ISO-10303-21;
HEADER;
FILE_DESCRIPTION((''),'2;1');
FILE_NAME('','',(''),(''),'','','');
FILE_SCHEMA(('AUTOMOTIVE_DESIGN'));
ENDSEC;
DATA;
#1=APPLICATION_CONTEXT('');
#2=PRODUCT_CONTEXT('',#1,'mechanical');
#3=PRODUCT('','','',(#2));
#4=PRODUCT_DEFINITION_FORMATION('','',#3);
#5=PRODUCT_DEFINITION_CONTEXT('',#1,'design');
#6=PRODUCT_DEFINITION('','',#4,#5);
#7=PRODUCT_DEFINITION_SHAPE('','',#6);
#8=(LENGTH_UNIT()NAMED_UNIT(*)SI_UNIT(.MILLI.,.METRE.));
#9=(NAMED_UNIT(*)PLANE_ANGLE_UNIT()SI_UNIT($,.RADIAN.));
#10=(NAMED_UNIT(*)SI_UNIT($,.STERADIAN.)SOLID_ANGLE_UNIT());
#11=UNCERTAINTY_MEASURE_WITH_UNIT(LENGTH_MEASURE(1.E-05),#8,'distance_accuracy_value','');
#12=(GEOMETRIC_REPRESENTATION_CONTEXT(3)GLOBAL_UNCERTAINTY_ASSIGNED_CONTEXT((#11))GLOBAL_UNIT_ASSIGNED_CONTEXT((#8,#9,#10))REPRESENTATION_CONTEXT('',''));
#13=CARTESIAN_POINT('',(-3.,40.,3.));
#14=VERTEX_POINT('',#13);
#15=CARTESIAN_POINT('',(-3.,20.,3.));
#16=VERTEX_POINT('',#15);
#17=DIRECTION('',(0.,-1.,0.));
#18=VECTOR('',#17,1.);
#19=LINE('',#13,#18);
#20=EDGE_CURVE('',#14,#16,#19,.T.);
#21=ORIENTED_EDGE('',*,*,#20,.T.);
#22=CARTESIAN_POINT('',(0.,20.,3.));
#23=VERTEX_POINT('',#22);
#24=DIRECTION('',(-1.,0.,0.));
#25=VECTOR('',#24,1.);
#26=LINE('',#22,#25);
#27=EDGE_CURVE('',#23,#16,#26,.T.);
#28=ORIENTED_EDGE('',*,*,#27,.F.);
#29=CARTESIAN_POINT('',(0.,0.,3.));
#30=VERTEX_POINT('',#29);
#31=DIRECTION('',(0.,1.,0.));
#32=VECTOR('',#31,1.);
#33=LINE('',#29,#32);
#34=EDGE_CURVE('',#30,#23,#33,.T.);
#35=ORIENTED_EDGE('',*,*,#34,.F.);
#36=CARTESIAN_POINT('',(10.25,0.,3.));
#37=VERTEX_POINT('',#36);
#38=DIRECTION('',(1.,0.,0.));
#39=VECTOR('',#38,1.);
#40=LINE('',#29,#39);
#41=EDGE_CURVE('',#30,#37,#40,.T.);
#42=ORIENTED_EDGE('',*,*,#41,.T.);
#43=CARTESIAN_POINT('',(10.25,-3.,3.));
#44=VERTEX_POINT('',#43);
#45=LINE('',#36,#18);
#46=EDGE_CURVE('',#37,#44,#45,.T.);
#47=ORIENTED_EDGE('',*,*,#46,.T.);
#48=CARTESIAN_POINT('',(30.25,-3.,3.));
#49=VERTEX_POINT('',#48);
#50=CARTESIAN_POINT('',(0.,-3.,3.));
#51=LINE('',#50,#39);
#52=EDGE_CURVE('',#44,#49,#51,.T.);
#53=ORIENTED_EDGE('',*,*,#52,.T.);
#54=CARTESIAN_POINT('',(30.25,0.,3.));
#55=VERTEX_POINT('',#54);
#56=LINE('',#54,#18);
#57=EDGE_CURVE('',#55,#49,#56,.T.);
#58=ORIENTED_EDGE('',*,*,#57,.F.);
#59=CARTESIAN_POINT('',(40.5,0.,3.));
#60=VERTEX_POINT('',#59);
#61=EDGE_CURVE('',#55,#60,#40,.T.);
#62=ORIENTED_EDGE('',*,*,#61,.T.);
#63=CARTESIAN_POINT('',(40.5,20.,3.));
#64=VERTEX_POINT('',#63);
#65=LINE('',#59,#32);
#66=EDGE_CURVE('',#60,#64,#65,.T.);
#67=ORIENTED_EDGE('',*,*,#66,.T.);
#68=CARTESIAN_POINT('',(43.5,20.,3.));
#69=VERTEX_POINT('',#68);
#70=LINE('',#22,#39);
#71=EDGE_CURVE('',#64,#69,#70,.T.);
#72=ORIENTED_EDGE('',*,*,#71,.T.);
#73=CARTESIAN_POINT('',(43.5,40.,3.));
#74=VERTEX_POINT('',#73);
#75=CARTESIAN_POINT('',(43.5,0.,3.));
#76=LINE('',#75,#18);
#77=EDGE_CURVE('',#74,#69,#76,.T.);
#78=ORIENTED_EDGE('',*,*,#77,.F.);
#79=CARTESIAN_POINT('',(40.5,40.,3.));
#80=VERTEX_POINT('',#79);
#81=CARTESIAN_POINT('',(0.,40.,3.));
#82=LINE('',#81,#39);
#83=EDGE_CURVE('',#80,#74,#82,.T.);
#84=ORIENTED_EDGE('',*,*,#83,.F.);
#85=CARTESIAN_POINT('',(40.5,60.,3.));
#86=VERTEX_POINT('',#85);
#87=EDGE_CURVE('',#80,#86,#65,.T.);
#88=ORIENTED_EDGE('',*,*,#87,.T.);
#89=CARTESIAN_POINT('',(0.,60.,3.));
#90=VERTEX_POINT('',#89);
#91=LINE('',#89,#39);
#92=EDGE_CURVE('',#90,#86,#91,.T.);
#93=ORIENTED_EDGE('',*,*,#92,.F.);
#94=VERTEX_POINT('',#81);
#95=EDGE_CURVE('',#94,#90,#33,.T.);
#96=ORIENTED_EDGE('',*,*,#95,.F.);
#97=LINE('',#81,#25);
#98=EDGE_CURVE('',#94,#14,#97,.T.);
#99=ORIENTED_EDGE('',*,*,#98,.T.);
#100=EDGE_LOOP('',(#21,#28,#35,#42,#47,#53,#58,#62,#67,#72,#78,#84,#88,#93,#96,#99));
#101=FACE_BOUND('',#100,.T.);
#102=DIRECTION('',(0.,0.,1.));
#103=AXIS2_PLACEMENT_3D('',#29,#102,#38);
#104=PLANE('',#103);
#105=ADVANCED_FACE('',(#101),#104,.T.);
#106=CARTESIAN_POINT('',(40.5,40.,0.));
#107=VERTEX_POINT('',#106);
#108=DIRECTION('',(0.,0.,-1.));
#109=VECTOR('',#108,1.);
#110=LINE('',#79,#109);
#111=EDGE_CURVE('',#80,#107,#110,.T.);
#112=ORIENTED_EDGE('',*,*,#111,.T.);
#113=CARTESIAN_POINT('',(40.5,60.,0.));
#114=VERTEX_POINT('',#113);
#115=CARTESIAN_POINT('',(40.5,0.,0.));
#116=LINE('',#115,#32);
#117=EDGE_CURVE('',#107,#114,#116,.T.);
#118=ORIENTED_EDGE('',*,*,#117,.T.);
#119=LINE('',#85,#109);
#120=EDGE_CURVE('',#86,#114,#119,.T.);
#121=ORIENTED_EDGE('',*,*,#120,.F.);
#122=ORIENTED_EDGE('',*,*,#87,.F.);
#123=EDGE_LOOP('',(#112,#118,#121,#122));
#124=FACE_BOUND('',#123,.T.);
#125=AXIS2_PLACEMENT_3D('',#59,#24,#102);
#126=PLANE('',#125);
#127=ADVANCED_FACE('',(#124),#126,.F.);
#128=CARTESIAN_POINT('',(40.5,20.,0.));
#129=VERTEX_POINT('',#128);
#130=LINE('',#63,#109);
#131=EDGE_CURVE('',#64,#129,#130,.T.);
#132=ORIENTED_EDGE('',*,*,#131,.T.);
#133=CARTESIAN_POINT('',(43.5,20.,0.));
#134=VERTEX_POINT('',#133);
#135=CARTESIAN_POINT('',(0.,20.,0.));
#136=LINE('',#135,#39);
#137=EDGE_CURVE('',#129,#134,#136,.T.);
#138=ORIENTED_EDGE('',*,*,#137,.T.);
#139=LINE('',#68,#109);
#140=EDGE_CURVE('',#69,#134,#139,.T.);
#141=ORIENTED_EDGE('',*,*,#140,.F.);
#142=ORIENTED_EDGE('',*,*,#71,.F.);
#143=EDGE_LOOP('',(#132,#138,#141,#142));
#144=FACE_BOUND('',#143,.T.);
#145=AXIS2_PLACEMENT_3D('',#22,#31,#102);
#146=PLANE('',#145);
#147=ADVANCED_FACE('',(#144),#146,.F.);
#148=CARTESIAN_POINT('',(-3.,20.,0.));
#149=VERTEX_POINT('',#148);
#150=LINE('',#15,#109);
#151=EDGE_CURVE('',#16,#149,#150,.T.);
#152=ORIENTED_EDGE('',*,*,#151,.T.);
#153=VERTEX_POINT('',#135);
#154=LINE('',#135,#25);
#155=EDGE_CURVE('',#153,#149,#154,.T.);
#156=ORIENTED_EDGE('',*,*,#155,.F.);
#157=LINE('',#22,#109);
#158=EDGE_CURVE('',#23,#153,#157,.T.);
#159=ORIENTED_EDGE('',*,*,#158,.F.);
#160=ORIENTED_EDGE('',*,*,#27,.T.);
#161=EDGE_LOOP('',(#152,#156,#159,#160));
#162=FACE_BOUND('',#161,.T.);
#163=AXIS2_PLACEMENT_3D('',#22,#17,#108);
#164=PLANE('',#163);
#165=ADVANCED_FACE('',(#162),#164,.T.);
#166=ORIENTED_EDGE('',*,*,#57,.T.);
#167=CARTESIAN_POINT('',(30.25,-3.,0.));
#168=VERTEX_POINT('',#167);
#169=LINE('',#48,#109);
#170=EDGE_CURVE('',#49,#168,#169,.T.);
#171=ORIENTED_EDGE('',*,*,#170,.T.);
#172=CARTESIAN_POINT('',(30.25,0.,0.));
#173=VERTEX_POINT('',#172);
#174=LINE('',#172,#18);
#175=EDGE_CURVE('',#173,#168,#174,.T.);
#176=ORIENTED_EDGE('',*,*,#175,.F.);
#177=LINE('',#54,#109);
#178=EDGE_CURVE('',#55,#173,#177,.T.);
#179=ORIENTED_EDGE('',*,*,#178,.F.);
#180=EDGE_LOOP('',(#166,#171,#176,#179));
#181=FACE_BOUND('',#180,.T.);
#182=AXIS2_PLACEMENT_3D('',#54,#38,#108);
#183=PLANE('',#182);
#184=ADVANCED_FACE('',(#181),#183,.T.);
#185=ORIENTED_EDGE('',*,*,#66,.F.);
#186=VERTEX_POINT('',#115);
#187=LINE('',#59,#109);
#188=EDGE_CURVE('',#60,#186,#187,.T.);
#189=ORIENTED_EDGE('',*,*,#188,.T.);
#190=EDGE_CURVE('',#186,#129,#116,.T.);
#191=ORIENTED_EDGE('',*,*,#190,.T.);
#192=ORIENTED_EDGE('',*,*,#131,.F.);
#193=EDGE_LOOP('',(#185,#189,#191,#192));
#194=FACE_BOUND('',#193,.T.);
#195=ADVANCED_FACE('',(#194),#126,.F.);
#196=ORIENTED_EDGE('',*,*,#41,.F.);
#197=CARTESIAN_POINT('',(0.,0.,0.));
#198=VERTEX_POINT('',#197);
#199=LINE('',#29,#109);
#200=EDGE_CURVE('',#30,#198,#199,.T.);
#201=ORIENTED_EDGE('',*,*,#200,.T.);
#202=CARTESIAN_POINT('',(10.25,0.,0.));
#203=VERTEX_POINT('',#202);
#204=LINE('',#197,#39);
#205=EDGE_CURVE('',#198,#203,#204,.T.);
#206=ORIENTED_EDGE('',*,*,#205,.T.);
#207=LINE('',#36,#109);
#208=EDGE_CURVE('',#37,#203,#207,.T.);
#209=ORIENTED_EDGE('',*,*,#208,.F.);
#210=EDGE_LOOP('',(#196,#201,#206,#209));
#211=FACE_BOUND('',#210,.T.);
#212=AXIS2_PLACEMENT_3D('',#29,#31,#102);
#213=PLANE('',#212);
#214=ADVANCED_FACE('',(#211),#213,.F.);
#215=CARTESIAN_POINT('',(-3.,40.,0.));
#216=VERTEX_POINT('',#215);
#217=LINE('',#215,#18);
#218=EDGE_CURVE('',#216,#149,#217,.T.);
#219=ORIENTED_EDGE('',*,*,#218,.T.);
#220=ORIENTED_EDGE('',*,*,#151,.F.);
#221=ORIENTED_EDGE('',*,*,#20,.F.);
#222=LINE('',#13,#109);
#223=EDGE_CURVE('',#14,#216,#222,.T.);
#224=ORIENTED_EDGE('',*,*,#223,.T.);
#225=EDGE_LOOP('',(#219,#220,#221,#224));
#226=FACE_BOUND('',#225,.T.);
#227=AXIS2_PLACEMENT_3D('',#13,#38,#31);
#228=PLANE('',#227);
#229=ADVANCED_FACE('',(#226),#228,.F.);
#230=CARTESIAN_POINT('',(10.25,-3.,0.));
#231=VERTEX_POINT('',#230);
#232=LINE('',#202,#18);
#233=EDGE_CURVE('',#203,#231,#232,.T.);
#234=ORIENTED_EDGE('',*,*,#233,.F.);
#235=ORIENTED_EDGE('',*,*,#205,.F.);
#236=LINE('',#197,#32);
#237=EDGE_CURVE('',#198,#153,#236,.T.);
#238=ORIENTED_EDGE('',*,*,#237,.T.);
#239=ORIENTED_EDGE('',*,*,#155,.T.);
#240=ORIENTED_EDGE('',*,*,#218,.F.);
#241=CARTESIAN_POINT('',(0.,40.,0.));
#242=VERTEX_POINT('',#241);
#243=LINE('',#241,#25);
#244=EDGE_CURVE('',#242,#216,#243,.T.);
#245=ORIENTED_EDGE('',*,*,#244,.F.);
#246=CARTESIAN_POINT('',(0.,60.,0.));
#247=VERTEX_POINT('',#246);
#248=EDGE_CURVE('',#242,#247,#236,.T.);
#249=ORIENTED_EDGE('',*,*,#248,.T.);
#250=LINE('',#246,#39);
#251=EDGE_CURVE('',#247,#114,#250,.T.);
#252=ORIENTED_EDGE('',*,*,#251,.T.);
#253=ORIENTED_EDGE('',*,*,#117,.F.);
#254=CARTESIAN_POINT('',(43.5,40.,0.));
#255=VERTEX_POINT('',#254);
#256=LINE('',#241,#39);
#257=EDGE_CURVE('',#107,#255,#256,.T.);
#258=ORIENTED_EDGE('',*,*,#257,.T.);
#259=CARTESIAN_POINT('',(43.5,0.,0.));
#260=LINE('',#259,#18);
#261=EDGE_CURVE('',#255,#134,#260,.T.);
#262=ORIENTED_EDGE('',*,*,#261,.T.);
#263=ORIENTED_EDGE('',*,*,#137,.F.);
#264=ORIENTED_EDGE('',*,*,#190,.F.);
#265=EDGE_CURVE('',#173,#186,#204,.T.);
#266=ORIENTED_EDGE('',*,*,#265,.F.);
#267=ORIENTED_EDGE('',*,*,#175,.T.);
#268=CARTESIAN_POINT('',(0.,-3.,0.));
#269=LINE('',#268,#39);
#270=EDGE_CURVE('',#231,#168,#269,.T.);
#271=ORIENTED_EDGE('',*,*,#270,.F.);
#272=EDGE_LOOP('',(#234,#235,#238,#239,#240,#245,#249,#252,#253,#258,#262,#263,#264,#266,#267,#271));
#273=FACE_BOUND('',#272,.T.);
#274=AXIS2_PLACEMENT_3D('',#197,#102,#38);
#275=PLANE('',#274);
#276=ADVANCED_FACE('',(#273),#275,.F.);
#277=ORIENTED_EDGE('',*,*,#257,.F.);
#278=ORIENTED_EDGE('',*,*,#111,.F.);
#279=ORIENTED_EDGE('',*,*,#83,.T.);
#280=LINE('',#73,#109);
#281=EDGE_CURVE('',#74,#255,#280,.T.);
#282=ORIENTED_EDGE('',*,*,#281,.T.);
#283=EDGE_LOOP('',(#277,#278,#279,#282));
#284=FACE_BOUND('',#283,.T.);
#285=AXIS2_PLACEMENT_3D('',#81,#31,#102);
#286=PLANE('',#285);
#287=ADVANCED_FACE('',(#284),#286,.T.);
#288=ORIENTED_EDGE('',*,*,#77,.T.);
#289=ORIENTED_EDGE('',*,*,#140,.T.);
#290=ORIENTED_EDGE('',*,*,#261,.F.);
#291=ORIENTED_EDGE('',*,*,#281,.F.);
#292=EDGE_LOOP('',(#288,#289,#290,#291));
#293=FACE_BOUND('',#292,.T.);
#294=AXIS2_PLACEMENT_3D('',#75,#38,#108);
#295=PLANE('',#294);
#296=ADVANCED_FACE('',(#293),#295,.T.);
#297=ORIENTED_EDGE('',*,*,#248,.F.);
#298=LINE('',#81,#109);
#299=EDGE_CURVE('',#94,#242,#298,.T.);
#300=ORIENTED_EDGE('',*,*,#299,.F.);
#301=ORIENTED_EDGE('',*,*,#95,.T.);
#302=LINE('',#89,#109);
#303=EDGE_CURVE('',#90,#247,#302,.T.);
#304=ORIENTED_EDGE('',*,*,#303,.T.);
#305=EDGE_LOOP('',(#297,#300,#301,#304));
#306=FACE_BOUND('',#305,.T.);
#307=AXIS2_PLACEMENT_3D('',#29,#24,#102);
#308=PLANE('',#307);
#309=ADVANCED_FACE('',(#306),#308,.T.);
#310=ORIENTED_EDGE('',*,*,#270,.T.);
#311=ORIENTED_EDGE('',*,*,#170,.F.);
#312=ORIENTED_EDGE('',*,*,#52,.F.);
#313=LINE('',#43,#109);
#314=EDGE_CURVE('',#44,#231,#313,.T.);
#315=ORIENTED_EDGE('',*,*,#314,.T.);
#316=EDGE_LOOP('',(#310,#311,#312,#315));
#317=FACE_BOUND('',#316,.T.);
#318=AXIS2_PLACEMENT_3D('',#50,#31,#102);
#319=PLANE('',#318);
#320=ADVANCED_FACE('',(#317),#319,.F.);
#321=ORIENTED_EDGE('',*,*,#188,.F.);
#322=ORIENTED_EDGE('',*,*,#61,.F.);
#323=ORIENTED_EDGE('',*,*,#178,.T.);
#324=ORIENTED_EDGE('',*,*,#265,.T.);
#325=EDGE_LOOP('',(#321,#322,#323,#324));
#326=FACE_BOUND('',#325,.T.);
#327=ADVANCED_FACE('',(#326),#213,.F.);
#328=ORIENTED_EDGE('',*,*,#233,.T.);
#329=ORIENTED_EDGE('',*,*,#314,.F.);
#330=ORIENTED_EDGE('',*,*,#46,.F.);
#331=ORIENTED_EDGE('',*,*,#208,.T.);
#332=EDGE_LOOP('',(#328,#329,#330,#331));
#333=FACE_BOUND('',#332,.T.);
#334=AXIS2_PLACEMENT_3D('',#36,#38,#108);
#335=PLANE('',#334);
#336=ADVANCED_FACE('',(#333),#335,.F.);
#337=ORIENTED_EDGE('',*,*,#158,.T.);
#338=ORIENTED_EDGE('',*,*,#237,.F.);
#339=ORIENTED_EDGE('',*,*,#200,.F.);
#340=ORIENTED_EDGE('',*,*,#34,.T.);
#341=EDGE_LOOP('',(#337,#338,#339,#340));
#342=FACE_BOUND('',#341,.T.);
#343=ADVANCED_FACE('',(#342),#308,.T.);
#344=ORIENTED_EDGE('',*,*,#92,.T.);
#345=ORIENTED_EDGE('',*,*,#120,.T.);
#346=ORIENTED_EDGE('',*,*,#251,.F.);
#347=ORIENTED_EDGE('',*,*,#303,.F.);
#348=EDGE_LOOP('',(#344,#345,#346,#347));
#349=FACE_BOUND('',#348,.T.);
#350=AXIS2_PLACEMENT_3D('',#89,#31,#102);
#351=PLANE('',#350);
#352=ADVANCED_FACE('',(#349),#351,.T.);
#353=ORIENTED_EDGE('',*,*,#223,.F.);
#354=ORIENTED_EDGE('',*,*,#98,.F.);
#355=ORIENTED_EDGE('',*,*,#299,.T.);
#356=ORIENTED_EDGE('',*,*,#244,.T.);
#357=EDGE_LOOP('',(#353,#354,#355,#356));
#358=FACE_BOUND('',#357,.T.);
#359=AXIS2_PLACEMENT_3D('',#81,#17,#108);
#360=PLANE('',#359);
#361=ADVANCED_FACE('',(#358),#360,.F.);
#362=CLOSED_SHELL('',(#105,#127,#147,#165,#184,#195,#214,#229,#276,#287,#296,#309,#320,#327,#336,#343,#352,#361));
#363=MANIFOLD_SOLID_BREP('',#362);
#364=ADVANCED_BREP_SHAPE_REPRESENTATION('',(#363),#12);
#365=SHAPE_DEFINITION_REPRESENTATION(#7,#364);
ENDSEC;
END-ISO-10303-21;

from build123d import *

# Parameters (mm, degrees)
SKETCH_1_W      = 40.5
SKETCH_1_H      = 60
SKETCH_1_W_2    = 3
SKETCH_1_H_2    = 20
SKETCH_1_W_3    = 20
SKETCH_1_H_3    = 3
EXTRUDE_1_DEPTH = 3


with BuildPart() as part:
    # 草图1 → 凸台-拉伸1 (new body)
    with BuildSketch(Plane.XY):
        with Locations((20.25, 30)):
            Rectangle(SKETCH_1_W, SKETCH_1_H)
        with Locations((42, 30)):
            Rectangle(SKETCH_1_W_2, SKETCH_1_H_2)
        with Locations((20.25, -1.5)):
            Rectangle(SKETCH_1_W_3, SKETCH_1_H_3)
        with Locations((-1.5, 30)):
            Rectangle(SKETCH_1_W_2, SKETCH_1_H_2)
    extrude(amount=EXTRUDE_1_DEPTH)


solid = part.part
